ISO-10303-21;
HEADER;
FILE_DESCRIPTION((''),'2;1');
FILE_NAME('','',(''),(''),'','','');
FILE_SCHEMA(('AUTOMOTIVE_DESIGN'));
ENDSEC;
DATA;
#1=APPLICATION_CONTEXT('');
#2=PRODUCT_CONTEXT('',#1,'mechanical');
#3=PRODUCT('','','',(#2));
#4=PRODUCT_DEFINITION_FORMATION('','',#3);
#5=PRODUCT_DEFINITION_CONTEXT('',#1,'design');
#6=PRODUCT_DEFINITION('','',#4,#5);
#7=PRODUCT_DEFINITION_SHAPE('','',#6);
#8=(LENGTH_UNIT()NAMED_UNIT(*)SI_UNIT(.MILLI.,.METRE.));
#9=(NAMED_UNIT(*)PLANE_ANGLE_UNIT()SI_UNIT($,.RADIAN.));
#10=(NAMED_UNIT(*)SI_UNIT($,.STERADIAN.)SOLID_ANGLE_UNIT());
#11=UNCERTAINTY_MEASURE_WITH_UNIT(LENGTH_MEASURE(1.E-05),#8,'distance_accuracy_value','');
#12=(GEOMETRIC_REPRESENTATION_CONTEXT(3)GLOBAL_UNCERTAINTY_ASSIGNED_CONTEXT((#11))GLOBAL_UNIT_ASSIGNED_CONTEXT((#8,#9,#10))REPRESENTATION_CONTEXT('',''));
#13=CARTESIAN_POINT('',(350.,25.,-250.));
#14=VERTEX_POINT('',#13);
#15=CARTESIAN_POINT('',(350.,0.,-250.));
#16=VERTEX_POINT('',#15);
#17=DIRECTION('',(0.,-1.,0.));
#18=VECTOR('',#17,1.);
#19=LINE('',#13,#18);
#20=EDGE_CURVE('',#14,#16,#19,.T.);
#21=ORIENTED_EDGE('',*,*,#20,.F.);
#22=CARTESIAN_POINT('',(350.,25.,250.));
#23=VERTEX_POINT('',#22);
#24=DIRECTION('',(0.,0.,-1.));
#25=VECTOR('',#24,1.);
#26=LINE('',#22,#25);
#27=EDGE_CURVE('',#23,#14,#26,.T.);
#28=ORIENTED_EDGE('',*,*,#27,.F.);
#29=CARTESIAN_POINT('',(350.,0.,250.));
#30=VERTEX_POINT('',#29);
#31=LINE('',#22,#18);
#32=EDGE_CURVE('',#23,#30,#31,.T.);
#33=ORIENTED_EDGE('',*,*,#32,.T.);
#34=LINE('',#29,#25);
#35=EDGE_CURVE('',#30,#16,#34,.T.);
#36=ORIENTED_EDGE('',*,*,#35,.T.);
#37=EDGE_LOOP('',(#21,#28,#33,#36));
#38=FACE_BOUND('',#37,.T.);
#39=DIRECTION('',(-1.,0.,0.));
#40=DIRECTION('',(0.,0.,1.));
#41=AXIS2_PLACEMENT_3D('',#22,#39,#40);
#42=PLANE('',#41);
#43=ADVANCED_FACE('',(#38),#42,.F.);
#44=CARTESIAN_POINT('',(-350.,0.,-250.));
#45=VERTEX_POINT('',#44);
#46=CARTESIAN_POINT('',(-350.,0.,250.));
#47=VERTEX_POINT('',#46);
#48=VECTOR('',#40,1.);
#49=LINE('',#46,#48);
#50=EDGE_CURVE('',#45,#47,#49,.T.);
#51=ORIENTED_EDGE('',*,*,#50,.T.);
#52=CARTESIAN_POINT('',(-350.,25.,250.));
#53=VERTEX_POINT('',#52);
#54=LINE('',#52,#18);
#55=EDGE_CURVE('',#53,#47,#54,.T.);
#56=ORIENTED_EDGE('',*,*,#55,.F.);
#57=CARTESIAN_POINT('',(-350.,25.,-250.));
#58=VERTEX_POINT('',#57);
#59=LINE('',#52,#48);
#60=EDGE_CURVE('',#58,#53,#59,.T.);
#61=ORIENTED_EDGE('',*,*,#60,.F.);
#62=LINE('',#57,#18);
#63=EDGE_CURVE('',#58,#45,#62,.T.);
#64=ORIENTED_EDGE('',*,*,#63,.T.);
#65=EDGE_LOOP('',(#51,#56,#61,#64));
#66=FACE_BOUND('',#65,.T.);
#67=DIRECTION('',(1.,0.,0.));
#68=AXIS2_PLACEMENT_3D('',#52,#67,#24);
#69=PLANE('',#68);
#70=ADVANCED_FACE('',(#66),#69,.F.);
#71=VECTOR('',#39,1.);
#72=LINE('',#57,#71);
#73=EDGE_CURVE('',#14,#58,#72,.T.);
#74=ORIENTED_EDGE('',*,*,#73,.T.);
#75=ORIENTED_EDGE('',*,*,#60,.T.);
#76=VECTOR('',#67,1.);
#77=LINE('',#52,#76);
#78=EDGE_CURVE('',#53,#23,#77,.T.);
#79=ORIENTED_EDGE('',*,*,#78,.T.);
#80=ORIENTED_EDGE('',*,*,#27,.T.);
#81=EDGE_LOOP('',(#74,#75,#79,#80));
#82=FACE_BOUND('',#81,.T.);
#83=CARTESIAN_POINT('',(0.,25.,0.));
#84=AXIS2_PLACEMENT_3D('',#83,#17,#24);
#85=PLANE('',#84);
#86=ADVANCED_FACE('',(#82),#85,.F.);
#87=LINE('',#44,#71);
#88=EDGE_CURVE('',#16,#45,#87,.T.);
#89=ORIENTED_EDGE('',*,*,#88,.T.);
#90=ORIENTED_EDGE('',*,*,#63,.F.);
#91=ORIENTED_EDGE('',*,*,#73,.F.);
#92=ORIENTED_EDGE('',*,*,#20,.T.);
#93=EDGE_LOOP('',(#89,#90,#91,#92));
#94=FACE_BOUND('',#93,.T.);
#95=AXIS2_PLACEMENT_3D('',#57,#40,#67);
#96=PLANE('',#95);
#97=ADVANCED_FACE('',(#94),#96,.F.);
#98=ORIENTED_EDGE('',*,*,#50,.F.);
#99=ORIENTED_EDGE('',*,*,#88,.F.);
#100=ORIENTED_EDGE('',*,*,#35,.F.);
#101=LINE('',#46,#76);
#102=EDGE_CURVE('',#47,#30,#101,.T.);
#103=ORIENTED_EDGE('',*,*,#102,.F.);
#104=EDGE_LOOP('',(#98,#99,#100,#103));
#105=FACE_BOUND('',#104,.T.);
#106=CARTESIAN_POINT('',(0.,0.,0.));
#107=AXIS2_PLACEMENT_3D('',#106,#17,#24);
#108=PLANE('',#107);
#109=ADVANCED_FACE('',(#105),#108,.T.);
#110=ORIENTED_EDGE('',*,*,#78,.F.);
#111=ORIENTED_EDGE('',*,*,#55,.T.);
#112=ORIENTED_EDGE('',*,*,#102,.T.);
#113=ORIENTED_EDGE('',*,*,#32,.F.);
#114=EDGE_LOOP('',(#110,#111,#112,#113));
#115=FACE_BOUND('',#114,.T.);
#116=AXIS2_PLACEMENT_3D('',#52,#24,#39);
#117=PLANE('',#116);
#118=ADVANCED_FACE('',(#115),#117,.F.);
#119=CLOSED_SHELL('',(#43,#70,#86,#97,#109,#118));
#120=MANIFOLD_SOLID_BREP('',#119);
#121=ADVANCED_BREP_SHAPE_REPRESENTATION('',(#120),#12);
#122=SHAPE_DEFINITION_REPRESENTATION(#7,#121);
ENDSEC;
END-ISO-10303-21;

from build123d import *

# Parameters (mm, degrees)
SKBASEFIJAPLATAFORMA_W   = 700
SKBASEFIJAPLATAFORMA_H   = 500
BASEFIJAPLATAFORMA_DEPTH = 25


with BuildPart() as part:
    # SkBaseFijaPlataforma → BaseFijaPlataforma (new body)
    with BuildSketch(Plane(origin=(0, 0, 0), x_dir=(1, 0, 0), z_dir=(0, 1, 0))):
        Rectangle(SKBASEFIJAPLATAFORMA_W, SKBASEFIJAPLATAFORMA_H)
    extrude(amount=BASEFIJAPLATAFORMA_DEPTH)


solid = part.part
